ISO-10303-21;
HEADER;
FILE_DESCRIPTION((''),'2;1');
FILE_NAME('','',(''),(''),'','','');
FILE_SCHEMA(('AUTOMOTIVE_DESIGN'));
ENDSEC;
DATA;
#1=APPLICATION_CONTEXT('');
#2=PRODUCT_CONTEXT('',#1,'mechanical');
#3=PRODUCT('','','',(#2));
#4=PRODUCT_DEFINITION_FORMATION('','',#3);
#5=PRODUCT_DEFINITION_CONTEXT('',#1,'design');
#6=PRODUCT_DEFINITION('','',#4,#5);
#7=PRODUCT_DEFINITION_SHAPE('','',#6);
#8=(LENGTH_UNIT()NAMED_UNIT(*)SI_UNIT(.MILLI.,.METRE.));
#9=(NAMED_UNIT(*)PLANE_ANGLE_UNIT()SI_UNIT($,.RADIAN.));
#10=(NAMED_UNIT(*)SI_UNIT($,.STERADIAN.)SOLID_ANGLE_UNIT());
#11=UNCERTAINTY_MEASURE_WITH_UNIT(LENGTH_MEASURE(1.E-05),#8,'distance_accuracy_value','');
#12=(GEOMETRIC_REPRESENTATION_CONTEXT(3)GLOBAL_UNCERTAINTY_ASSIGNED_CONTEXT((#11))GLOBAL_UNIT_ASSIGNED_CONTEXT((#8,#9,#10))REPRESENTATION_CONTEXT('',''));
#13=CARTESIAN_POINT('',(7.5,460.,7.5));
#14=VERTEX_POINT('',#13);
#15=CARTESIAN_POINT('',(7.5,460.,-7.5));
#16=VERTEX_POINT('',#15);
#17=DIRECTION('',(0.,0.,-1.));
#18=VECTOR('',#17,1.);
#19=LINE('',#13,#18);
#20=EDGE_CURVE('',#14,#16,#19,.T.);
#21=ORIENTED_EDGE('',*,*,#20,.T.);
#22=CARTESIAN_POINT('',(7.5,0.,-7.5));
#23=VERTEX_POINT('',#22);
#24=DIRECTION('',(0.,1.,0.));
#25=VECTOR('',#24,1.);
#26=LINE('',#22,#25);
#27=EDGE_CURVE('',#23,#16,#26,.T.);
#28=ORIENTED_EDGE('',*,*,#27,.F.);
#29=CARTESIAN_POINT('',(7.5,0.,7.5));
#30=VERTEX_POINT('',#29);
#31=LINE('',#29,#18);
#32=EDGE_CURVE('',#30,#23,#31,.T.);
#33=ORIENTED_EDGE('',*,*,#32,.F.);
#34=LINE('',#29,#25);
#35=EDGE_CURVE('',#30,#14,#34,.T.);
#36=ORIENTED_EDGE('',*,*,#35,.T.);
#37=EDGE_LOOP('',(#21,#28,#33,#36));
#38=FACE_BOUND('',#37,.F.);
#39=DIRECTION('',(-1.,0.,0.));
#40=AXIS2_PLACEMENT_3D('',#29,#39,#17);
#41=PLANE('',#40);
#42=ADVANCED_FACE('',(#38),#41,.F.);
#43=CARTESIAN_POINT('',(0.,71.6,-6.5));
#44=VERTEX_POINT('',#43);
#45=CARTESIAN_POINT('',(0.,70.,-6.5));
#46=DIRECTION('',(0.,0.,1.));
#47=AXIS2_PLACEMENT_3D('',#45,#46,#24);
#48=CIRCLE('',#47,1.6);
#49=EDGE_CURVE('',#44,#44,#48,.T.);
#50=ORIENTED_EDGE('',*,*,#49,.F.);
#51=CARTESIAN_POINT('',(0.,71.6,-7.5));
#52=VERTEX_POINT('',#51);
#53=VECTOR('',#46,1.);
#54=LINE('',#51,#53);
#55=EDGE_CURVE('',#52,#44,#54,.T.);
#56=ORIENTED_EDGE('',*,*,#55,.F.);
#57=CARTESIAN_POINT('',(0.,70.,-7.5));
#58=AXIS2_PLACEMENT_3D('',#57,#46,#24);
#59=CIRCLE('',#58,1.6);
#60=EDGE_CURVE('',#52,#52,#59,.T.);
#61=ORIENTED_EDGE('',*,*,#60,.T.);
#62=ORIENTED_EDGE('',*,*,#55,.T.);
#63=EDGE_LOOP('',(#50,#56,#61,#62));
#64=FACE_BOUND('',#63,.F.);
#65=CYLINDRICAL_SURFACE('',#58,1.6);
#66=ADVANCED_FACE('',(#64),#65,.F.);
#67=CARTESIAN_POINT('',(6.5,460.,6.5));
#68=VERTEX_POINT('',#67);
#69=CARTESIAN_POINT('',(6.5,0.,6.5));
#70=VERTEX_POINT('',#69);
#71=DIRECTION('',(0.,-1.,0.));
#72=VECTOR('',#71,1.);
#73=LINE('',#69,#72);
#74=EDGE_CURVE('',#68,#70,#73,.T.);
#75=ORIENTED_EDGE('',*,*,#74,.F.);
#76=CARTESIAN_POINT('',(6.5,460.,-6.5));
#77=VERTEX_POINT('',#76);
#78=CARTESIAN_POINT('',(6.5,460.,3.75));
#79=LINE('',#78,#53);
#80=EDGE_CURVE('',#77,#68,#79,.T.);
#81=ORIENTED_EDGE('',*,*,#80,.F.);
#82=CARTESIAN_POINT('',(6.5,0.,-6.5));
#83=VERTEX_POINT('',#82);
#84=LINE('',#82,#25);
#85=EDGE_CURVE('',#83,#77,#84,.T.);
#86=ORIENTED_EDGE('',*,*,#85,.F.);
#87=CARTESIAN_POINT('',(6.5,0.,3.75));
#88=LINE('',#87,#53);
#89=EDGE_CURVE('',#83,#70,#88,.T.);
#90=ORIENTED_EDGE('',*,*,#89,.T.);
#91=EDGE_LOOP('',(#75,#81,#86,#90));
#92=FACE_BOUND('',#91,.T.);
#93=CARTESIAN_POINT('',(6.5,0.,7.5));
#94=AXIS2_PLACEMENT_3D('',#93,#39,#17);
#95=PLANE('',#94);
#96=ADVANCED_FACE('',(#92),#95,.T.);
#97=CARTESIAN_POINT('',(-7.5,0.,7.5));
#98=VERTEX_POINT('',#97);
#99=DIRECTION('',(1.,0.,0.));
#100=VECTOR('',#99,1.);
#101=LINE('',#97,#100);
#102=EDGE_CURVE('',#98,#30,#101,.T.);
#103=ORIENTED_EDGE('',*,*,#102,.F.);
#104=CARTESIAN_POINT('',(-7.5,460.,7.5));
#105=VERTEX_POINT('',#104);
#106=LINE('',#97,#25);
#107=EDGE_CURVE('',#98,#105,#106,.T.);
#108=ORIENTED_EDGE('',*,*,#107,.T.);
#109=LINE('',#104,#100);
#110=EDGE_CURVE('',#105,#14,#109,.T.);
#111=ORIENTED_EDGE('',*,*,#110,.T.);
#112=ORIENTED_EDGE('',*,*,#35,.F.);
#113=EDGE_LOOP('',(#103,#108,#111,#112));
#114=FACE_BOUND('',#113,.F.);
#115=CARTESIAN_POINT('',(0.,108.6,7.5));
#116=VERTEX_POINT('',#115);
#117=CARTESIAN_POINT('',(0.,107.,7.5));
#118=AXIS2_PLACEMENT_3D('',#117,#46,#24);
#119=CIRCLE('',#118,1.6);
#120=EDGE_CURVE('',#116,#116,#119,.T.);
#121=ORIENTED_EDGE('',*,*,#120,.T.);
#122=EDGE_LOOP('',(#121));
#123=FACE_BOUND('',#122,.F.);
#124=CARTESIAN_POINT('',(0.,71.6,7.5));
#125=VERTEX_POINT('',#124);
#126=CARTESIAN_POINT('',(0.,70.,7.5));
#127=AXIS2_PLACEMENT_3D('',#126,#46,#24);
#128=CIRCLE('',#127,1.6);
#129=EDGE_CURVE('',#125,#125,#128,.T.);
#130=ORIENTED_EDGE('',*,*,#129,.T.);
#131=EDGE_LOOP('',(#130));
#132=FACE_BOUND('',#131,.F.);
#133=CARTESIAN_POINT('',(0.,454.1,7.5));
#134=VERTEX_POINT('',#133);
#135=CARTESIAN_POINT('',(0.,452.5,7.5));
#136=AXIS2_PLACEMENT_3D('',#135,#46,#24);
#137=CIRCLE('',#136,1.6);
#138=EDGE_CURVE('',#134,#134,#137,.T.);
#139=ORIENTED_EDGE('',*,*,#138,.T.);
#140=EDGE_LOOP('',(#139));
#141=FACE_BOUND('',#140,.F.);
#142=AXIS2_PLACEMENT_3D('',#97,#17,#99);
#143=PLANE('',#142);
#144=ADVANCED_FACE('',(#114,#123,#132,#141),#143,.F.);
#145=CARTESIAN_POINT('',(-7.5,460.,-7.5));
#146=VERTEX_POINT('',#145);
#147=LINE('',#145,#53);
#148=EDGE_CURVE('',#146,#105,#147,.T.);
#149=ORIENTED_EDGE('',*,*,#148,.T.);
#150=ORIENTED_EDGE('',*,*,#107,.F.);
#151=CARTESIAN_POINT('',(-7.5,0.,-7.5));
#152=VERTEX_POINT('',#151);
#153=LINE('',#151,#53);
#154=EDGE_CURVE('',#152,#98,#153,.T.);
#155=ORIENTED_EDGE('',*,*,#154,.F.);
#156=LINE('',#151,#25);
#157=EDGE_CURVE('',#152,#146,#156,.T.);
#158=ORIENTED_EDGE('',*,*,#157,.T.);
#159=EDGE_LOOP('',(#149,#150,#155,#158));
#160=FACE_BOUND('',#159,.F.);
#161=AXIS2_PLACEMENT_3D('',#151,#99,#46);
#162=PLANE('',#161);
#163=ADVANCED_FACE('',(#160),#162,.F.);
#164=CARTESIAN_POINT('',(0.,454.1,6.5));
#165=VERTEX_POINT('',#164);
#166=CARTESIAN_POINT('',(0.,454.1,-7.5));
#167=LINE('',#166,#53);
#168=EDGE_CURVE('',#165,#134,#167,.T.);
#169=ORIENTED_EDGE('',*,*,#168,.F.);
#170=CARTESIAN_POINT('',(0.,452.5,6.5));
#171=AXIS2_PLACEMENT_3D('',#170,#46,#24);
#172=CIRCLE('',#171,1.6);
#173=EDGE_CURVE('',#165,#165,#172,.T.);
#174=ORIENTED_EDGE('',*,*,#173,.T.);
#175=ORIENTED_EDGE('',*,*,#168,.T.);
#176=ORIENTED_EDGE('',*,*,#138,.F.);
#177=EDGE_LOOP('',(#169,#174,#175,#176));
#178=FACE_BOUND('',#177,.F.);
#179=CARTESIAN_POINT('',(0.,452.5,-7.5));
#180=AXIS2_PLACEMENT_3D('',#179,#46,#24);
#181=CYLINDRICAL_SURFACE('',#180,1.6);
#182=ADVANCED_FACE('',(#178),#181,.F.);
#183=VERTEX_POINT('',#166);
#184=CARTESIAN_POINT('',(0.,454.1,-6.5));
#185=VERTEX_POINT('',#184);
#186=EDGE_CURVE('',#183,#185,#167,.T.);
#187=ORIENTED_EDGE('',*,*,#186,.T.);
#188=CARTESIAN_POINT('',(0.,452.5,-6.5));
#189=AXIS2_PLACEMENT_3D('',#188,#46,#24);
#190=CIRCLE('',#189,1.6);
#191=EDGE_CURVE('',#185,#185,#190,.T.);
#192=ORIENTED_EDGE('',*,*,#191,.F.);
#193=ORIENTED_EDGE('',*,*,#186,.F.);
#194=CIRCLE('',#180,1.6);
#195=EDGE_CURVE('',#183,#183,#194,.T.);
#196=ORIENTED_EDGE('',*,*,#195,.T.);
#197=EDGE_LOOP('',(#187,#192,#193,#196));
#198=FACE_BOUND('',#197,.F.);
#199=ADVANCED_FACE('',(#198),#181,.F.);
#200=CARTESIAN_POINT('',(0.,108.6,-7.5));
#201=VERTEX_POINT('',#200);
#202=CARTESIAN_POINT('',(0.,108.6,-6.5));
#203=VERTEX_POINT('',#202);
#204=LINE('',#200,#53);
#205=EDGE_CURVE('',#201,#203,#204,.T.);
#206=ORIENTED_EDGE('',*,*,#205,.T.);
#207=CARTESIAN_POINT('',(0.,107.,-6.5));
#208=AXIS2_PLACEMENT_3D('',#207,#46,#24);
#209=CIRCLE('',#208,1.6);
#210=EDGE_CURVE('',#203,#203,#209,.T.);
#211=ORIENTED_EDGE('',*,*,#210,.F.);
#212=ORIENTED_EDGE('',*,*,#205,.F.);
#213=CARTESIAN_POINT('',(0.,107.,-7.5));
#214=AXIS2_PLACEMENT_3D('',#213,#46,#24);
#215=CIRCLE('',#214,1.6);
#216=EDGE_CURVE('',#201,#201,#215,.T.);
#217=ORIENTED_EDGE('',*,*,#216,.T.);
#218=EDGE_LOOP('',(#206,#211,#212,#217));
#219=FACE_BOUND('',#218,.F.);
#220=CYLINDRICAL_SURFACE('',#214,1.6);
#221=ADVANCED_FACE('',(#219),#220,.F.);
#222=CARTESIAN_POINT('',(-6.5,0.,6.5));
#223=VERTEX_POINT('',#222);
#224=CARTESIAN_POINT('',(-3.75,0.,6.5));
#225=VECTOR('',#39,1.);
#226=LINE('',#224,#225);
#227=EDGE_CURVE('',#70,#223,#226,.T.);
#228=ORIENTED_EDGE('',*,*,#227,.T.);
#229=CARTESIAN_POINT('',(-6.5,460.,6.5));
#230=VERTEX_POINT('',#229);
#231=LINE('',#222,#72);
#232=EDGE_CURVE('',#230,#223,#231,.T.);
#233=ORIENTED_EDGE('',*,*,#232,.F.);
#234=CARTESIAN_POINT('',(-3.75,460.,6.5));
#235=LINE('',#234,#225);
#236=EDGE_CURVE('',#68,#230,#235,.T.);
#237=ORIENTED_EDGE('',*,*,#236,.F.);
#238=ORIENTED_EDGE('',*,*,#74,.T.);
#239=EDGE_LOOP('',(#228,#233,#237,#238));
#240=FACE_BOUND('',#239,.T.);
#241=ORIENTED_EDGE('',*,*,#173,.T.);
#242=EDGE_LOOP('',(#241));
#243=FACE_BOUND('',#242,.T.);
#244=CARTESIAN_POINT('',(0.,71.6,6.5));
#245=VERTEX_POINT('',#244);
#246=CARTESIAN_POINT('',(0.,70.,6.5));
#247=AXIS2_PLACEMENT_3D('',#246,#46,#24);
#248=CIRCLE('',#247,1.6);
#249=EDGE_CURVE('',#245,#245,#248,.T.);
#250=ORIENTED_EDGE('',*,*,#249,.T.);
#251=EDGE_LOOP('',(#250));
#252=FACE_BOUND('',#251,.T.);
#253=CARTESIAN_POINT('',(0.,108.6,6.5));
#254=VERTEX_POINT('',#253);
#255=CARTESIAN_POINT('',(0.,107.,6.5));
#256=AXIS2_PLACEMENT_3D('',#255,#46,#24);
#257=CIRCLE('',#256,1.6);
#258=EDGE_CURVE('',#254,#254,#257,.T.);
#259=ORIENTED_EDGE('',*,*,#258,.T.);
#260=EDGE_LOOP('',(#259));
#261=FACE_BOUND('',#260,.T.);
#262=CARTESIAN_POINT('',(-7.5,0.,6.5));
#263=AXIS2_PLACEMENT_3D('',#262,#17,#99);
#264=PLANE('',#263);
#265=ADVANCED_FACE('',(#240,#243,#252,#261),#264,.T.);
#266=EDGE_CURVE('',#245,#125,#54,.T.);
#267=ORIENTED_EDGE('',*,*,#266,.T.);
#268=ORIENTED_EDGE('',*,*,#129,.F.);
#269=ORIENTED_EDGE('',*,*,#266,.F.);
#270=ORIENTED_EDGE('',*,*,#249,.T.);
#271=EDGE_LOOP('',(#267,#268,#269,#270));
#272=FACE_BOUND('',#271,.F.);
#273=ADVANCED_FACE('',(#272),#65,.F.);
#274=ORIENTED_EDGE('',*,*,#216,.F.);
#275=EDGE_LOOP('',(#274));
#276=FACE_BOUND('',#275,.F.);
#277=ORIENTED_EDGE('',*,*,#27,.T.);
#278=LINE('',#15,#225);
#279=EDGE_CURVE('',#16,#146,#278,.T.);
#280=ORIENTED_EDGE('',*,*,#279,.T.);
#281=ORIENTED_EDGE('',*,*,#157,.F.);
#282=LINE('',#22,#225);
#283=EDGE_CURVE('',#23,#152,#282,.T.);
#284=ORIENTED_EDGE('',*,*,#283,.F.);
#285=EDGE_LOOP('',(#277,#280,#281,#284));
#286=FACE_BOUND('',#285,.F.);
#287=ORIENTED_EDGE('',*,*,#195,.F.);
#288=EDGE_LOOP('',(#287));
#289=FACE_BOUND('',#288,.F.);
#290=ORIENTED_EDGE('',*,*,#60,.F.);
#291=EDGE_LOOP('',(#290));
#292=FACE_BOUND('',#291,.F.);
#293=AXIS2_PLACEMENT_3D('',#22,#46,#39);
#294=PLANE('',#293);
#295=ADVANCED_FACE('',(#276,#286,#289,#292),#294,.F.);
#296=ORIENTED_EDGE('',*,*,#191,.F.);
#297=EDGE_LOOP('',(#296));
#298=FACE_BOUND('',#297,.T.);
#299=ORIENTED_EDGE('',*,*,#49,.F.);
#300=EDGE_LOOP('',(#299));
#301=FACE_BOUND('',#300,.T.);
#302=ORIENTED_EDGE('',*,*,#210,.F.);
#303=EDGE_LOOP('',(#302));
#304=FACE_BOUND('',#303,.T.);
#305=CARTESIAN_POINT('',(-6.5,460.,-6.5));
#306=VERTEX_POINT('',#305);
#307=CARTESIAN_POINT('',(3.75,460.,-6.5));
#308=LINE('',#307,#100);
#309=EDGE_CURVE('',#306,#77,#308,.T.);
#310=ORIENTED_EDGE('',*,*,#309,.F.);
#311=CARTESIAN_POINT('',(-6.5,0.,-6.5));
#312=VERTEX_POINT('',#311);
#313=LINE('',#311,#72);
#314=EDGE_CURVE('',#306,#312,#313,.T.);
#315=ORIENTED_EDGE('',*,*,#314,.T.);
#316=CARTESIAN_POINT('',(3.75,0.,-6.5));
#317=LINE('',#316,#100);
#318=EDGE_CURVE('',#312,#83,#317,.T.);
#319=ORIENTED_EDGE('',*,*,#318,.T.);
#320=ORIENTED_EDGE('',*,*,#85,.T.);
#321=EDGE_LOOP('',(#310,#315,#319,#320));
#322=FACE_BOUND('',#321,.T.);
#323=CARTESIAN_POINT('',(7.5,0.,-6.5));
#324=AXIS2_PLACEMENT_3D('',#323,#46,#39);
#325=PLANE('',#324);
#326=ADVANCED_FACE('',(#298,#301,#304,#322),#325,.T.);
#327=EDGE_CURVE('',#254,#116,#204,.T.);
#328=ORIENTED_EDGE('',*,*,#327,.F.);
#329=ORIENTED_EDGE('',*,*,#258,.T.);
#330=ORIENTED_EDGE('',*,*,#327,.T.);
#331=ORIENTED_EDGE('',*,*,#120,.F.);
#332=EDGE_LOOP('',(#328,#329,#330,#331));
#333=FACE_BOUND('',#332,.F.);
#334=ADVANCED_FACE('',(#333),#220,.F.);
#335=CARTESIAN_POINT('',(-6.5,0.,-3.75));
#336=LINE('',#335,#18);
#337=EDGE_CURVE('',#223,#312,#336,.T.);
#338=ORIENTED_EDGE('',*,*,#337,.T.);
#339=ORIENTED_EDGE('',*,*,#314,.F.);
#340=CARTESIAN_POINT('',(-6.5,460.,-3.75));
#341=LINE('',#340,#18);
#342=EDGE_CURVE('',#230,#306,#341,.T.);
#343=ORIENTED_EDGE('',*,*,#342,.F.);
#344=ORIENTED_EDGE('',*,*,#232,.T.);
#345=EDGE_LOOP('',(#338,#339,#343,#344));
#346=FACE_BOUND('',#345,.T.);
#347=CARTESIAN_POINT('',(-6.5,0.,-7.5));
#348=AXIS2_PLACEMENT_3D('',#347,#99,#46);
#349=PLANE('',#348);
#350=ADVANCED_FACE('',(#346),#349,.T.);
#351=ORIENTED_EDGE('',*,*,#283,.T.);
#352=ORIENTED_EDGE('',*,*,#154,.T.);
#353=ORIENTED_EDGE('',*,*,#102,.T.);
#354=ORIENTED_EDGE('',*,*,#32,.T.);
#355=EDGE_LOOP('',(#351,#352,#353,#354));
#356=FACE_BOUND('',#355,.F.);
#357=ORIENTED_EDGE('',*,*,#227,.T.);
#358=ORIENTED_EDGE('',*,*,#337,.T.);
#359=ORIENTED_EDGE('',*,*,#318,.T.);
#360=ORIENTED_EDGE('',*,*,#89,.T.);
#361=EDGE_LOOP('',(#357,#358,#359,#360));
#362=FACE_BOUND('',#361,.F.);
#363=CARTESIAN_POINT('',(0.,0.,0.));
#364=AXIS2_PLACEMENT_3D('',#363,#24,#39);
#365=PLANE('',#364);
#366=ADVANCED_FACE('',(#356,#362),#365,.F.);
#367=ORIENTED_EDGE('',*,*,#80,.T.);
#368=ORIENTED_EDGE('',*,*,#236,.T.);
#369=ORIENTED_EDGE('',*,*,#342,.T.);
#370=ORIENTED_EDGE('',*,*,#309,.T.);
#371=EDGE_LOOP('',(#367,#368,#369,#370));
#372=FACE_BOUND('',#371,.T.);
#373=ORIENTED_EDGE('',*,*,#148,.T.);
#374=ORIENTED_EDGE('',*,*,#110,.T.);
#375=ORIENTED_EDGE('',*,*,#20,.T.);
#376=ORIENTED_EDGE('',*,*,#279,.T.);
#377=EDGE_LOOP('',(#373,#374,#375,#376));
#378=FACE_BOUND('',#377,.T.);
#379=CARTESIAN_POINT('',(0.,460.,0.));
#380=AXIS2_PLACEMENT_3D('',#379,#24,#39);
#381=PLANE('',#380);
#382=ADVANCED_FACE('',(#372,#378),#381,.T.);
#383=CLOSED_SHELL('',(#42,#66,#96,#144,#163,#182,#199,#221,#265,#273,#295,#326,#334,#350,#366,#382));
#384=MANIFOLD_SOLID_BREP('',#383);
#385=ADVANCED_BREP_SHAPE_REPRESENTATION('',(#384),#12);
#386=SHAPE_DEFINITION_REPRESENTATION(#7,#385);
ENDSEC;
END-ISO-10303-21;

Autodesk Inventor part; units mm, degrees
ref_plane "YZ Plane" through (0, 0, 0) normal (1, 0, 0) x (0, 1, 0)
ref_plane "XZ Plane" through (0, 0, 0) normal (0, 1, 0) x (-1, 0, 0)
ref_plane "XY Plane" through (0, 0, 0) normal (0, 0, 1) x (1, 0, 0)
sketch "スケッチ1" plane through (0, 0, 0) normal (0, 1, 0) x (-1, 0, 0)
  line L0 (-7.5, -7.5) -> (7.5, -7.5)
  line L1 (7.5, -7.5) -> (7.5, 7.5)
  line L2 (7.5, 7.5) -> (-7.5, 7.5)
  line L3 (-7.5, 7.5) -> (-7.5, -7.5)
  line L4 (-7.5, -7.5) -> (7.5, 7.5) construction
  line L5 (7.5, -7.5) -> (-7.5, 7.5) construction
  point P0 (0, 0)
  dimension "d0" = 15
extrude "押し出し1" add sketch "スケッチ1" along normal blind 460
shell "シェル1" thickness 1 removed faces 2 at (2.5, 0, 2.5) at (2.5, 460, 2.5)
sketch "スケッチ2" plane through (7.5, 0, -7.5) normal (0, 0, -1) x (-1, 0, 0)
  line L0 (7.5, 0) -> (7.5, 70) construction
  line L1 (0, 460) -> (15, 460) projected
  point P0 (7.5, 107)
  point P1 (7.5, 452.5)
  dimension "d4" = 37
  dimension "d5" = 70
  dimension "d13" = 7.5
hole "穴1" at (0, 70, -7.5) at (0, 107, -7.5) at (0, 452.5, -7.5) direction (0, 0, 1) diameter 3.2 end through all
properties part number "BaseSupportSQpipe"
